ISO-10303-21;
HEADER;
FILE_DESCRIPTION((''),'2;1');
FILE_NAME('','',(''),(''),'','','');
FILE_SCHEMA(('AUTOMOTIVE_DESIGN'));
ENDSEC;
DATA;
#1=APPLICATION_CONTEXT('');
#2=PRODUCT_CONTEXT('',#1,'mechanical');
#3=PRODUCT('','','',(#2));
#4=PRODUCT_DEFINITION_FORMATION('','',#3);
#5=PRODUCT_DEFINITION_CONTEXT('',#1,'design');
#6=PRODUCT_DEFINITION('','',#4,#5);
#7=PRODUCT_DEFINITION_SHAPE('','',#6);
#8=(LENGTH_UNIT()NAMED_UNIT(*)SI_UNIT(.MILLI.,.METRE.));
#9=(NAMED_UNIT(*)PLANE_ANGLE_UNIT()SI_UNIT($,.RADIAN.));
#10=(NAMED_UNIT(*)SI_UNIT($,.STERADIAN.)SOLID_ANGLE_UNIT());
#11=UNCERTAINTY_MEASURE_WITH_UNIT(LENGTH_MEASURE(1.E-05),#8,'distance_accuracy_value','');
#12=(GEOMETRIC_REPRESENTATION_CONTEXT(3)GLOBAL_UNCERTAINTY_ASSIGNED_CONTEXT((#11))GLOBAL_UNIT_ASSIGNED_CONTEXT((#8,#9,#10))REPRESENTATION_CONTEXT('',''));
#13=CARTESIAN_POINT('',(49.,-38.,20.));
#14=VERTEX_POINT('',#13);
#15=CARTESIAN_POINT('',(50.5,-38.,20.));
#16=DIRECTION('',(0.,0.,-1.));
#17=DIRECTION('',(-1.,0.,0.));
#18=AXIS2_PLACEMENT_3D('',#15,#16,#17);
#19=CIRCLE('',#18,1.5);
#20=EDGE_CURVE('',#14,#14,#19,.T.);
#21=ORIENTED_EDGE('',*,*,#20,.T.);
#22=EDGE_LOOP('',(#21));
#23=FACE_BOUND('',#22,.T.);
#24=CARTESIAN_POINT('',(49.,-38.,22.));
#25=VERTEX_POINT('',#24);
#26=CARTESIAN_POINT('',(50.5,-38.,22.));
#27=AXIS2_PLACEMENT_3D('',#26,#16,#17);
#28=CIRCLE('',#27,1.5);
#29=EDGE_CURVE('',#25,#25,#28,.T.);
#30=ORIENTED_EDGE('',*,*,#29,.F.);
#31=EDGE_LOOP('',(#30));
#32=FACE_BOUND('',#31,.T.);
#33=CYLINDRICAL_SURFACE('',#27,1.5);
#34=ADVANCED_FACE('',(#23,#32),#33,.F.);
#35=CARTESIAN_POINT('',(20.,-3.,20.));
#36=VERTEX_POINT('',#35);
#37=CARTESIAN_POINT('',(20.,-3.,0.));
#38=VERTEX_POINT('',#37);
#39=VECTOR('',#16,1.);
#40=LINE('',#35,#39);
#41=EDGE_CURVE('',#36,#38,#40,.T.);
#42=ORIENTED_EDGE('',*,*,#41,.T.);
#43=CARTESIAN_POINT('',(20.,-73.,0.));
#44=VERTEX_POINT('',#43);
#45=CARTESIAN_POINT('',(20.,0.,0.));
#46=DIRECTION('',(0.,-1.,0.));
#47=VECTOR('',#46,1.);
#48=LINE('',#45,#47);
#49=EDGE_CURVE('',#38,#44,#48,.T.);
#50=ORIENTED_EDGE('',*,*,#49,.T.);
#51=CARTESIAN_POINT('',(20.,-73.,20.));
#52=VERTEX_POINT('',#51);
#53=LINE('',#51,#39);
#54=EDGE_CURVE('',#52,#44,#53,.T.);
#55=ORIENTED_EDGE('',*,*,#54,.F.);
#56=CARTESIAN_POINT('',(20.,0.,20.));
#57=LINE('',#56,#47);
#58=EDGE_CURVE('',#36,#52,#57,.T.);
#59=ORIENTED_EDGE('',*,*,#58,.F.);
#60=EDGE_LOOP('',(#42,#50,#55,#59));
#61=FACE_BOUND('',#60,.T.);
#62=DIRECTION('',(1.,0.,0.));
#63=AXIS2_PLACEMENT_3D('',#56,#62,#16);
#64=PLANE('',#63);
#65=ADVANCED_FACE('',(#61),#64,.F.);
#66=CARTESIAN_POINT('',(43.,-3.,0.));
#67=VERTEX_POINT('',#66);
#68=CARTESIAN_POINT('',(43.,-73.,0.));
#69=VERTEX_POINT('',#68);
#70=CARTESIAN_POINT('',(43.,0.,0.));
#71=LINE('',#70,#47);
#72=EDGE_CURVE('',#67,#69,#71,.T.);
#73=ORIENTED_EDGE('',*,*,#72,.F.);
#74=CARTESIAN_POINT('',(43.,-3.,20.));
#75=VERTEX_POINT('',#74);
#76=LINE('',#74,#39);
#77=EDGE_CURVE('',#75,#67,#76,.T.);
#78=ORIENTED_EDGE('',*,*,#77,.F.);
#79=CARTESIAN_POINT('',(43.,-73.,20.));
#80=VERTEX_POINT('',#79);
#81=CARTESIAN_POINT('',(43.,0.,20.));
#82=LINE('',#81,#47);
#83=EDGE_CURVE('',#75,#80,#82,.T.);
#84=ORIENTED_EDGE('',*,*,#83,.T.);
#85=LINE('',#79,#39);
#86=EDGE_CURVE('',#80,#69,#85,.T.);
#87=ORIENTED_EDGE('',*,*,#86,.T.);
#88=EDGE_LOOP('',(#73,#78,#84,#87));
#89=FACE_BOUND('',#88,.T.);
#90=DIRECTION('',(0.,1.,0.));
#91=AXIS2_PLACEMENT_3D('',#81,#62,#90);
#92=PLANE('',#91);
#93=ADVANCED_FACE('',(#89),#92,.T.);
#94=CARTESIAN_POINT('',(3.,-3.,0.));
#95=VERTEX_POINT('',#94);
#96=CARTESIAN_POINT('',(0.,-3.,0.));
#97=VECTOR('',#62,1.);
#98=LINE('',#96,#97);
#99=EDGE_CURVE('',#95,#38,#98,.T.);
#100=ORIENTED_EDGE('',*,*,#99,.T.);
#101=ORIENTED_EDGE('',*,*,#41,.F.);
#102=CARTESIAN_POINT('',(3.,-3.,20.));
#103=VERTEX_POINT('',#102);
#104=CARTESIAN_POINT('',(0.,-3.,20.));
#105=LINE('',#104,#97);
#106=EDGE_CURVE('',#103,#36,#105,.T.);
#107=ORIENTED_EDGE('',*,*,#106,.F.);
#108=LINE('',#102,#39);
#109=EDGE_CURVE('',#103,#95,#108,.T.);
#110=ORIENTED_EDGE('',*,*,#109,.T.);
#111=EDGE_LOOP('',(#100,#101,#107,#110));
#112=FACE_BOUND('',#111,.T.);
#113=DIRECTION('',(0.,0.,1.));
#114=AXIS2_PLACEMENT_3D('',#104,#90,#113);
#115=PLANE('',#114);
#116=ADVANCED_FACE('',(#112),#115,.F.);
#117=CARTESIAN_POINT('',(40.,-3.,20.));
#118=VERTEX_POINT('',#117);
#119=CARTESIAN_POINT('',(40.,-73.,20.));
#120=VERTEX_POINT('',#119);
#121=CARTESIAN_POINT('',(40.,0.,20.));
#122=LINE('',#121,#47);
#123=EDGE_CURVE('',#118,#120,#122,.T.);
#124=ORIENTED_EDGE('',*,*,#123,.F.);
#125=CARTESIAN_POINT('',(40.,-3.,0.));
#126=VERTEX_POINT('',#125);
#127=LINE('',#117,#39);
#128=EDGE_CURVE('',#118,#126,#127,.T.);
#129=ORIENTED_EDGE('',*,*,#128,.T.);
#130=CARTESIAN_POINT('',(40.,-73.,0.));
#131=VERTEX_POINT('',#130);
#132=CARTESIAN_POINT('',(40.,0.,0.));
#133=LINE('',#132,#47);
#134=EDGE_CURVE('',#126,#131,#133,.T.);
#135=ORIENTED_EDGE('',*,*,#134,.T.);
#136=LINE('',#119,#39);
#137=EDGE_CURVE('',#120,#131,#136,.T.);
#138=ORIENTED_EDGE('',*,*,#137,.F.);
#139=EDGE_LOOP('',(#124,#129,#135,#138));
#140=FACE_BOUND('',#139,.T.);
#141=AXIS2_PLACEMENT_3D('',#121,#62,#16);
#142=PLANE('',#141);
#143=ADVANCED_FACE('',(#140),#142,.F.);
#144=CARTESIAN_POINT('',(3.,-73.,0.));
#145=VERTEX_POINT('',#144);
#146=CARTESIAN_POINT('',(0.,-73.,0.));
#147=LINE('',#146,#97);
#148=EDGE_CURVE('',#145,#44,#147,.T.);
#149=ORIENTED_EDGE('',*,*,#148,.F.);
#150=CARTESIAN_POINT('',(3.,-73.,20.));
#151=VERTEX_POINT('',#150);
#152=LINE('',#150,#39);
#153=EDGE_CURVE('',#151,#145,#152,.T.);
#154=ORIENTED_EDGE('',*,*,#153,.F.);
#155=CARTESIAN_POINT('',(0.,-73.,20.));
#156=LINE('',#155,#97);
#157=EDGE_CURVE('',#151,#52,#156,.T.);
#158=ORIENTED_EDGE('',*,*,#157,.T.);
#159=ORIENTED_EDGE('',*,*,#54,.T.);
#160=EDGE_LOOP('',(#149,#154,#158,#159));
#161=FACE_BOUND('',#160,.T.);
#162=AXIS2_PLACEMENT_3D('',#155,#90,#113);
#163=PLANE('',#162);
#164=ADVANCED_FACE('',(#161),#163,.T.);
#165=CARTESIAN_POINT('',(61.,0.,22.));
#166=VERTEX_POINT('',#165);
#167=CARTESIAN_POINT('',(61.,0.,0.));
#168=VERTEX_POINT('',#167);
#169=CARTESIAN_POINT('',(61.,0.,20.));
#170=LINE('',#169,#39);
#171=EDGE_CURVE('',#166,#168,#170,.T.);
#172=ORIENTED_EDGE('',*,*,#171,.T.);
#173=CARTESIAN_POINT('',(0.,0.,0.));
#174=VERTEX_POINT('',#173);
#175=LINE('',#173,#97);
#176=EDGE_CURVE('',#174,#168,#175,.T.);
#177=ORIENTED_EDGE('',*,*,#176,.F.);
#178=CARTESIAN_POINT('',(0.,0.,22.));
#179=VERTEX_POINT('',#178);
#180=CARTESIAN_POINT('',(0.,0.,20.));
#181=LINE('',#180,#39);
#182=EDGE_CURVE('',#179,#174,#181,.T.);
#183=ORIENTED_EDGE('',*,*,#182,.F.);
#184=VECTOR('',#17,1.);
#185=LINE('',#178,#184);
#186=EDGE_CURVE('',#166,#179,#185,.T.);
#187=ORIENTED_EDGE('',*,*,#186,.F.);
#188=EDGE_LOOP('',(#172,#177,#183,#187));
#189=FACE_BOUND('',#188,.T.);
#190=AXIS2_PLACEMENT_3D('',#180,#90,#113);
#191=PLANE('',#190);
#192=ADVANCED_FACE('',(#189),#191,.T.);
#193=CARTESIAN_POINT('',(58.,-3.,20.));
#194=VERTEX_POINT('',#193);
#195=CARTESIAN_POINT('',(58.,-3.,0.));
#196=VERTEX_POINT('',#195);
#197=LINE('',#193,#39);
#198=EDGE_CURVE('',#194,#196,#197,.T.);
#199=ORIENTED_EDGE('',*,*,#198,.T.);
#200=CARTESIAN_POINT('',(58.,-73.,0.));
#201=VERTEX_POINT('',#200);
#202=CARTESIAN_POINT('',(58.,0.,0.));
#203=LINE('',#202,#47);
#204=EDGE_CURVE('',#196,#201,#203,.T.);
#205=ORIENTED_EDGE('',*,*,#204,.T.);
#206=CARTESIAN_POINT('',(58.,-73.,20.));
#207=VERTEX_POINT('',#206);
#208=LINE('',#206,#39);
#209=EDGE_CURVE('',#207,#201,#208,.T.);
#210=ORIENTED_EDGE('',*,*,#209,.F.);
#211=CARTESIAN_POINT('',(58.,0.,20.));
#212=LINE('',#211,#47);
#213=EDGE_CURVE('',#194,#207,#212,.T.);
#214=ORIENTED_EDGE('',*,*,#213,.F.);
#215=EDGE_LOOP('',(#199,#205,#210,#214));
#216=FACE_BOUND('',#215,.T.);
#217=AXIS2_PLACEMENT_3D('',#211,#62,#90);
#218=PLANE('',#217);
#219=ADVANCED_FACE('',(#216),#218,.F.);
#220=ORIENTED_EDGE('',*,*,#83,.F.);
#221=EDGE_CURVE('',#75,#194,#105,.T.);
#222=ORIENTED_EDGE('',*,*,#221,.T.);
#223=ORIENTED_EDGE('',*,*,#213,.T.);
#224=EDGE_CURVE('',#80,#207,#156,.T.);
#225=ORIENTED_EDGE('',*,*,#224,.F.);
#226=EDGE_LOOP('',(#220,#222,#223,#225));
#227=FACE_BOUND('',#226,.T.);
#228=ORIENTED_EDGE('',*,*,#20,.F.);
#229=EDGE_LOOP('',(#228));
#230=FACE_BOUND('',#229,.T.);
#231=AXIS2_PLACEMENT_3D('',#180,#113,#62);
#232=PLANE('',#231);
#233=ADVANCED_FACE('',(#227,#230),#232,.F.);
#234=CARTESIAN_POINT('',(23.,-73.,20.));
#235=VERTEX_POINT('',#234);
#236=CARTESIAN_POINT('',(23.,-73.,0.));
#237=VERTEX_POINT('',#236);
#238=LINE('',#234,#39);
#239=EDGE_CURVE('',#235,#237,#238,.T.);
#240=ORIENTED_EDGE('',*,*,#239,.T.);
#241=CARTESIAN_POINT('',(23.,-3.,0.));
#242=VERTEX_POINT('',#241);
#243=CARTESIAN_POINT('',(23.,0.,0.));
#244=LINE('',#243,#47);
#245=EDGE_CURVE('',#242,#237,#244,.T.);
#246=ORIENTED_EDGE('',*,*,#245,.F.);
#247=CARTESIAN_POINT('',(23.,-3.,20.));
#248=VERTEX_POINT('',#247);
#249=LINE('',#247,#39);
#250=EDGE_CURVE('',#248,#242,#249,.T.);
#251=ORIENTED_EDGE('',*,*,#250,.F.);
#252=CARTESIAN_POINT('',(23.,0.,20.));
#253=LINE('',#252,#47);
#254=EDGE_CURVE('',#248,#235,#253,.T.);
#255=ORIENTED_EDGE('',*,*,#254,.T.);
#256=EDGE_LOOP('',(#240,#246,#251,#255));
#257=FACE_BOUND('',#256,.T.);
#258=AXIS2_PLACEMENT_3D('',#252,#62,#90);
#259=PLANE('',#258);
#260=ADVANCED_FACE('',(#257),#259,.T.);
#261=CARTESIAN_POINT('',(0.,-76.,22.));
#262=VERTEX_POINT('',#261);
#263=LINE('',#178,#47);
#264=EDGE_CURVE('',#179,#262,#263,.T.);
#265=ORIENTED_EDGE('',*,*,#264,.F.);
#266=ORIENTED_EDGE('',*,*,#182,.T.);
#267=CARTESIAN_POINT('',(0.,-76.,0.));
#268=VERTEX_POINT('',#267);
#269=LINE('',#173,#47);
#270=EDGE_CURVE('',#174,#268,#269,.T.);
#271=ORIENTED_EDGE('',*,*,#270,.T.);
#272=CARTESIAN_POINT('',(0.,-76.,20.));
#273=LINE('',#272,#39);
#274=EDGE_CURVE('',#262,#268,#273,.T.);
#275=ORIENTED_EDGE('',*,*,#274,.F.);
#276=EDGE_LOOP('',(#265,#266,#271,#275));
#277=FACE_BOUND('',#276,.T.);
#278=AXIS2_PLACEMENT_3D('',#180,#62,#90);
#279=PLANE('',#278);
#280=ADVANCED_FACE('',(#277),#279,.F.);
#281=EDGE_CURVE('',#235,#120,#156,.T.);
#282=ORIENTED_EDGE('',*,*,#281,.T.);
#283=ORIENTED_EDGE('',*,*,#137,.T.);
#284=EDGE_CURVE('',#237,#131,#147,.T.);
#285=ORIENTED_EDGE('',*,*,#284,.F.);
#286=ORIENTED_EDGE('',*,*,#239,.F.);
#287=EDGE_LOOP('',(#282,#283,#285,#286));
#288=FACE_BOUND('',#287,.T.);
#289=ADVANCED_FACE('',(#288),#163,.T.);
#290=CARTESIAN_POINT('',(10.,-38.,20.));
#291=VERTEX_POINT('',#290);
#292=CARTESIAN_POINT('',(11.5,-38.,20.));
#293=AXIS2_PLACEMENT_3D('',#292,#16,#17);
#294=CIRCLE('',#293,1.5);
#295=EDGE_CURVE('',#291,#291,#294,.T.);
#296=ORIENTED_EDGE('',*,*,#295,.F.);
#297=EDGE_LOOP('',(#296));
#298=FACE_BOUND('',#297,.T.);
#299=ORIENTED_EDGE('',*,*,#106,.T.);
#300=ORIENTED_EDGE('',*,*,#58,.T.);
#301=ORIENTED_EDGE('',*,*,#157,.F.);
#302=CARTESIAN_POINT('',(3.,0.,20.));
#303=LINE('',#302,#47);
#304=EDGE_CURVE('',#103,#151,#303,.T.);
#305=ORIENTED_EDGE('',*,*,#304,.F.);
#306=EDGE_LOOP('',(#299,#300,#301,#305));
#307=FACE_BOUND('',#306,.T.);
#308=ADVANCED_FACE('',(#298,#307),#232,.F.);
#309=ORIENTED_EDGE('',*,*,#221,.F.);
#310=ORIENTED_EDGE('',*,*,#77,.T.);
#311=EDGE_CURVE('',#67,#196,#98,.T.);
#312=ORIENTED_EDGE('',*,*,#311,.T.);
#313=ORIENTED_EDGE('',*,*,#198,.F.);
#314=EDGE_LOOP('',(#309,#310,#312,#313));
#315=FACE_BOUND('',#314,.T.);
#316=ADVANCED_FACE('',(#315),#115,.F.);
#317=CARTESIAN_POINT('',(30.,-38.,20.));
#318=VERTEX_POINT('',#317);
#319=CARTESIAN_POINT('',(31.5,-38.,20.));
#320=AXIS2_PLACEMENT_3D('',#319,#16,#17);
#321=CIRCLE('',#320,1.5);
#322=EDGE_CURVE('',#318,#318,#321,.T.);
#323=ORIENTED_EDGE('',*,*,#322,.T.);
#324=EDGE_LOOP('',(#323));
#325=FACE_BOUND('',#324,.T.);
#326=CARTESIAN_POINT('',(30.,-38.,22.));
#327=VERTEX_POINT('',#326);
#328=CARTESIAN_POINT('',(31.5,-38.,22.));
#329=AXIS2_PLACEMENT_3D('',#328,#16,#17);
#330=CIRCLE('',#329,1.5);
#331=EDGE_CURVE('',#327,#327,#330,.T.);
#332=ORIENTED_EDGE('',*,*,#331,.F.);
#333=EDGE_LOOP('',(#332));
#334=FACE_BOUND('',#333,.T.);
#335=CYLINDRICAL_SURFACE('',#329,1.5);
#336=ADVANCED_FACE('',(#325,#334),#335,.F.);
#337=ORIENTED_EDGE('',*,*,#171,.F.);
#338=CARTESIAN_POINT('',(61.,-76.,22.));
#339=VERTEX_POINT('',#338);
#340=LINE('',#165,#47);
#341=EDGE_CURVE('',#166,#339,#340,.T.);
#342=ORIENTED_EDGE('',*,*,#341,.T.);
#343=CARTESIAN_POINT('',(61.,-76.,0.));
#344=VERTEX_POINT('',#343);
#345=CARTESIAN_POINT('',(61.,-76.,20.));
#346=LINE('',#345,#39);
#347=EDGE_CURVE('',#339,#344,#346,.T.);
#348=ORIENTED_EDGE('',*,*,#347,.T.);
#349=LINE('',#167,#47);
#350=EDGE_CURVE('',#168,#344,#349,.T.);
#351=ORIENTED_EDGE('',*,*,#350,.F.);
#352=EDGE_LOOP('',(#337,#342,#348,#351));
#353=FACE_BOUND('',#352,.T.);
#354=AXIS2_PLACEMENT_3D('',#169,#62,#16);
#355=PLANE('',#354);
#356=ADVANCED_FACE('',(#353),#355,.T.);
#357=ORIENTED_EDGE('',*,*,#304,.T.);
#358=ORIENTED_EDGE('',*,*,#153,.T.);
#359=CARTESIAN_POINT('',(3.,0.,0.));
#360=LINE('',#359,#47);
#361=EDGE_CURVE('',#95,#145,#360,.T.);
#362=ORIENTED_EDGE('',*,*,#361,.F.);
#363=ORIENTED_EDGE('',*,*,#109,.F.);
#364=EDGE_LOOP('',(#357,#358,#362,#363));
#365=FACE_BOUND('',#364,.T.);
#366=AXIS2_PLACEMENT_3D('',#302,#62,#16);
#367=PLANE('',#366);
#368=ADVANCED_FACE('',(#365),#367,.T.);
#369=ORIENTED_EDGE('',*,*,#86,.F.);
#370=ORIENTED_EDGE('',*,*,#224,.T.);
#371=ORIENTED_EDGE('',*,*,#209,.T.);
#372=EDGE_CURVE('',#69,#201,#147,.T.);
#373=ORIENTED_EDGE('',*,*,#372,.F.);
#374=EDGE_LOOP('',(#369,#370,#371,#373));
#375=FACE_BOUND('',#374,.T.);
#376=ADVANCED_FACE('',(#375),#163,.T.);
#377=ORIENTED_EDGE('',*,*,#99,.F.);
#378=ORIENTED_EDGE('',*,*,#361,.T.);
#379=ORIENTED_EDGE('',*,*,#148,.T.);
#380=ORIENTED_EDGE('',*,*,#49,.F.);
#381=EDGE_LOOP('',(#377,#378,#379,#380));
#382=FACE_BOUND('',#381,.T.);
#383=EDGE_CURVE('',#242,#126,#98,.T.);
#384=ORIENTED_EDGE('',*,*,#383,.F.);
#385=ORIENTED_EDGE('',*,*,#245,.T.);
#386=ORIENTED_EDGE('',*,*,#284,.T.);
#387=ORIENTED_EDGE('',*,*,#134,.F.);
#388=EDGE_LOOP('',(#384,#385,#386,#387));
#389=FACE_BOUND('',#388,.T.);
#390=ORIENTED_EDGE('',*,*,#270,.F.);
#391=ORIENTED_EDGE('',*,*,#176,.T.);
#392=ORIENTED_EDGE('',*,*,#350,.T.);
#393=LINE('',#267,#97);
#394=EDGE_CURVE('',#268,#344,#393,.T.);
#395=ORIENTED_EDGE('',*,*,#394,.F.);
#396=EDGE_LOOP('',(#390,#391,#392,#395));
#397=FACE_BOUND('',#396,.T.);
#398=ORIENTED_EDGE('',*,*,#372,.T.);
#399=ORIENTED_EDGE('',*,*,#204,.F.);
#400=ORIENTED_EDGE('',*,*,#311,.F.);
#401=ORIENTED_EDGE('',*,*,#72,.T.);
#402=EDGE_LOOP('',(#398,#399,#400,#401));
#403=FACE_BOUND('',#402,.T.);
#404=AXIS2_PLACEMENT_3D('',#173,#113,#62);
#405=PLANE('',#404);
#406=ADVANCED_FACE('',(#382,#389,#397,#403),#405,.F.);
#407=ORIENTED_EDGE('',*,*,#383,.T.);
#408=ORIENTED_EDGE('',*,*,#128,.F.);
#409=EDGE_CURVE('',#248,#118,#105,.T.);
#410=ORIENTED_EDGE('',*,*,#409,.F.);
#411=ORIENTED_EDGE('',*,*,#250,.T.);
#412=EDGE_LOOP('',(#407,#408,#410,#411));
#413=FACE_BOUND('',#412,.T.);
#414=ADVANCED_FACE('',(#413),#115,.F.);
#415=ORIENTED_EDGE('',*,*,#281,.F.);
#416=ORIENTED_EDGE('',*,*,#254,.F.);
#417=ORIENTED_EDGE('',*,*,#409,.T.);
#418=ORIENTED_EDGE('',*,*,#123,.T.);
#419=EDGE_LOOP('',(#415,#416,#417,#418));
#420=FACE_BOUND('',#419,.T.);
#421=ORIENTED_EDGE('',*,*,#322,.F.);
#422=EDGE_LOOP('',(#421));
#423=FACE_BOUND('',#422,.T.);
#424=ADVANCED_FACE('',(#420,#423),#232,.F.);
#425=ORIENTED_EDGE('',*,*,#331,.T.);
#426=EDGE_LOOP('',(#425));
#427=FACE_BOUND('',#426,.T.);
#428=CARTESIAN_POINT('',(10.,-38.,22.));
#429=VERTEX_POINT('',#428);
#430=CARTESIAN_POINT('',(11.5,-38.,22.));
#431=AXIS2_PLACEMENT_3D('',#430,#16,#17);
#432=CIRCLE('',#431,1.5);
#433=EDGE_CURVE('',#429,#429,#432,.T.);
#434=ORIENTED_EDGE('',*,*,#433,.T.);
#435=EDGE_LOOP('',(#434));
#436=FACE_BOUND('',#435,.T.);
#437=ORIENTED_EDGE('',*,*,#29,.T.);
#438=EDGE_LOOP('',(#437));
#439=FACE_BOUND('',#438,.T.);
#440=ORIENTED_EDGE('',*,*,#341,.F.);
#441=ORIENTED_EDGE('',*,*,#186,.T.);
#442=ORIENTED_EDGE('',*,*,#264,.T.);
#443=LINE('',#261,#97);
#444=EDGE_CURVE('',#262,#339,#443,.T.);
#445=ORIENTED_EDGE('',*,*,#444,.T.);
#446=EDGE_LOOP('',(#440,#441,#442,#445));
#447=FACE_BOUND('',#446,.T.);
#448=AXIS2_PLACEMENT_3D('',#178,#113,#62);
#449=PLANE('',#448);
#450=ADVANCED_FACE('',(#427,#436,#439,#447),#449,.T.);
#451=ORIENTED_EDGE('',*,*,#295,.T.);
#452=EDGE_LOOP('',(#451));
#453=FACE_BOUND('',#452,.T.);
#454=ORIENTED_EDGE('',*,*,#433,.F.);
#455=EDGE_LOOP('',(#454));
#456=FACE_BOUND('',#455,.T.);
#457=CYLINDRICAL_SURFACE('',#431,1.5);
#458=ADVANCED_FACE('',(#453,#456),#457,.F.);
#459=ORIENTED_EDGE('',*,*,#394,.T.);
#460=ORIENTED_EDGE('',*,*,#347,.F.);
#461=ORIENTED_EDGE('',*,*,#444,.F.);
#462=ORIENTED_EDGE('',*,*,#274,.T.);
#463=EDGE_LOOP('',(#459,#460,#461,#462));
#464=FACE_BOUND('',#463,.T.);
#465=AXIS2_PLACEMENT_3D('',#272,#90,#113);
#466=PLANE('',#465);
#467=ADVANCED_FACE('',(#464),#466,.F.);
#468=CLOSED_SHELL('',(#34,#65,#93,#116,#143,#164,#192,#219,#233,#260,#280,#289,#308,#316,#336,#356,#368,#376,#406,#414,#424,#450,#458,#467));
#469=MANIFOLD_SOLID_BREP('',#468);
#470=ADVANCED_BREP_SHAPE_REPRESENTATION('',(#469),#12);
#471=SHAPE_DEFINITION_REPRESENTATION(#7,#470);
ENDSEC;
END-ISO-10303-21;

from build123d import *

# Parameters (mm, degrees)
SKETCH1_W               = 81
SKETCH1_H               = 76
SKETCH1_W_2             = 17
SKETCH1_H_2             = 70
SKETCH1_W_3             = 15
BOSS_EXTRUDE2_DEPTH     = 20
SKETCH3_W               = 81
SKETCH3_H               = 76
BOSS_EXTRUDE3_DEPTH     = 2
CUT_EXTRUDE2_DEPTH      = 2
SKETCH5_W               = 17
SKETCH5_H               = 70
SKETCH5_R               = 1.5
CUT_EXTRUDE3_DEPTH      = 21
CUT_EXTRUDE3_DEPTH_BACK = 3


with BuildPart() as part:
    # Sketch1 → Boss-Extrude2 (new body)
    with BuildSketch(Plane.XY):
        with Locations((40.5, -38)):
            Rectangle(SKETCH1_W, SKETCH1_H)
        with Locations((31.5, -38)):
            Rectangle(SKETCH1_W_2, SKETCH1_H_2, mode=Mode.SUBTRACT)
        with Locations((11.5, -38)):
            Rectangle(SKETCH1_W_2, SKETCH1_H_2, mode=Mode.SUBTRACT)
        with Locations((50.5, -38)):
            Rectangle(SKETCH1_W_3, SKETCH1_H_2, mode=Mode.SUBTRACT)
        with Locations((69.5, -38)):
            Rectangle(SKETCH1_W_2, SKETCH1_H_2, mode=Mode.SUBTRACT)
    extrude(amount=BOSS_EXTRUDE2_DEPTH)

    # Sketch3 → Boss-Extrude3 (add)
    with BuildSketch(Plane.XY.offset(20)):
        with Locations((40.5, -38)):
            Rectangle(SKETCH3_W, SKETCH3_H)
    extrude(amount=BOSS_EXTRUDE3_DEPTH)

    # Sketch4 → Cut-Extrude2 (cut)
    with BuildSketch(Plane(origin=(0, 0, 20), x_dir=(-1, 0, 0), z_dir=(0, 0, -1))):
        with BuildLine():
            ThreePointArc((-13, -38), (-11.5, -39.5), (-10, -38))
            Line((-10, -38), (-13, -38))
        make_face()
        with BuildLine():
            Line((-13, -38), (-10, -38))
            ThreePointArc((-10, -38), (-11.5, -36.5), (-13, -38))
        make_face()
        with BuildLine():
            ThreePointArc((-33, -38), (-31.5, -39.5), (-30, -38))
            Line((-30, -38), (-33, -38))
        make_face()
        with BuildLine():
            Line((-33, -38), (-30, -38))
            ThreePointArc((-30, -38), (-31.5, -36.5), (-33, -38))
        make_face()
        with BuildLine():
            ThreePointArc((-52, -38), (-50.5, -39.5), (-49, -38))
            Line((-49, -38), (-52, -38))
        make_face()
        with BuildLine():
            Line((-52, -38), (-49, -38))
            ThreePointArc((-49, -38), (-50.5, -36.5), (-52, -38))
        make_face()
        with BuildLine():
            ThreePointArc((-71, -38), (-69.5, -39.5), (-68, -38))
            Line((-68, -38), (-71, -38))
        make_face()
        with BuildLine():
            Line((-71, -38), (-68, -38))
            ThreePointArc((-68, -38), (-69.5, -36.5), (-71, -38))
        make_face()
    extrude(amount=-CUT_EXTRUDE2_DEPTH, mode=Mode.SUBTRACT)

    # Sketch5 → Cut-Extrude3 (cut, two sides)
    with BuildSketch(Plane(origin=(0, 0, 20), x_dir=(-1, 0, 0), z_dir=(0, 0, -1))) as cut_extrude3_sk:
        Polygon((-61, 3.586024283), (-61, -3), (-78, -3), (-78, -73), (-61, -73), (-61, -79.125259563), (-89.801346659, -78.428276056), (-91.298539163, 3.586024283), align=None)
        with Locations((-69.5, -38)):
            Rectangle(SKETCH5_W, SKETCH5_H)
        with Locations((-69.5, -38)):
            Circle(SKETCH5_R, mode=Mode.SUBTRACT)
    extrude(amount=CUT_EXTRUDE3_DEPTH, mode=Mode.SUBTRACT)
    extrude(cut_extrude3_sk.sketch, amount=-CUT_EXTRUDE3_DEPTH_BACK, mode=Mode.SUBTRACT)


solid = part.part
